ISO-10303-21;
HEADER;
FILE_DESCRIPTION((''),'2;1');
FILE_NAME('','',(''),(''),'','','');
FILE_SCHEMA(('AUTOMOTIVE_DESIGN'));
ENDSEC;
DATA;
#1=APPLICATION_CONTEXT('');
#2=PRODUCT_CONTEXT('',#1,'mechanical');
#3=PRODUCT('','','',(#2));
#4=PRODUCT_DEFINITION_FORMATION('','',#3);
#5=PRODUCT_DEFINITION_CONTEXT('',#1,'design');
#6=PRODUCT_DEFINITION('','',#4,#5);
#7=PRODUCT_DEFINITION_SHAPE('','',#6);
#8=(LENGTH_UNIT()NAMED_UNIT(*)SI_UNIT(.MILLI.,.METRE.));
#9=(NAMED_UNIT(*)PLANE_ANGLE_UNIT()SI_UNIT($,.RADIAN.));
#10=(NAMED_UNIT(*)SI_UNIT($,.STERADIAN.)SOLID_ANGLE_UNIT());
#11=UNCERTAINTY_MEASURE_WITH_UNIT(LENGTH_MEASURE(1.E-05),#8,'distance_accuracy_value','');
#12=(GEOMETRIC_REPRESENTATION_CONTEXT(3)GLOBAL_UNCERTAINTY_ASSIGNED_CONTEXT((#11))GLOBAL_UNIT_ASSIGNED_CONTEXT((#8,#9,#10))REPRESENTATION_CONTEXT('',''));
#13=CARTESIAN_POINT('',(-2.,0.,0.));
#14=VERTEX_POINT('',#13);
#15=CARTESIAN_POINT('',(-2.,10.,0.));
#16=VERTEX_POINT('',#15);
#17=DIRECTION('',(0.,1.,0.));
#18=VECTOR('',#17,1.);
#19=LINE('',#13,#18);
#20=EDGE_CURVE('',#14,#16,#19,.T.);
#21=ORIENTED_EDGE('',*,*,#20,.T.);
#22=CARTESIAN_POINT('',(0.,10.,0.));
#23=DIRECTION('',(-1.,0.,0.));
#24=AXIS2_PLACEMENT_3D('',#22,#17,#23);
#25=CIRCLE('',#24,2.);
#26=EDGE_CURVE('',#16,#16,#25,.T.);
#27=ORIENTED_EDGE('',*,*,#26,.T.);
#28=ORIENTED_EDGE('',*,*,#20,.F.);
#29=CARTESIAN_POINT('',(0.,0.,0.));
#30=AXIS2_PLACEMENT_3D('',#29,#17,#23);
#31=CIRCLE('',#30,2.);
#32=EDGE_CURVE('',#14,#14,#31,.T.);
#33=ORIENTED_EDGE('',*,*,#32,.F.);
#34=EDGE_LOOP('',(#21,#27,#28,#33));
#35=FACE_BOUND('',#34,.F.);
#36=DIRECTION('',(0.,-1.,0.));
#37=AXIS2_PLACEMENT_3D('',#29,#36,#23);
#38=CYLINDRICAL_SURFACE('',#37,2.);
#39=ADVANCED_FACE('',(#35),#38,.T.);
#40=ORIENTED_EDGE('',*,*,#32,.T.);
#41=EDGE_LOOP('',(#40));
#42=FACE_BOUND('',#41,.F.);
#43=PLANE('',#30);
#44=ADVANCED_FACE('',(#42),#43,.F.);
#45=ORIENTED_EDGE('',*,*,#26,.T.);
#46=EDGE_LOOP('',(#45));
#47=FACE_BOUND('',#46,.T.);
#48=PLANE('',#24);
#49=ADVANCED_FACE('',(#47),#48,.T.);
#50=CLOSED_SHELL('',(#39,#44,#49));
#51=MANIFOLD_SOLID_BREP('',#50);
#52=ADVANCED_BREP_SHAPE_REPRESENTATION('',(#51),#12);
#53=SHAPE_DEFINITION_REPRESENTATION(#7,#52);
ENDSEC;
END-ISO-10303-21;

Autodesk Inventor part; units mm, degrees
ref_plane "YZ Plane" through (0, 0, 0) normal (1, 0, 0) x (0, 1, 0)
ref_plane "XZ Plane" through (0, 0, 0) normal (0, 1, 0) x (-1, 0, 0)
ref_plane "XY Plane" through (0, 0, 0) normal (0, 0, 1) x (1, 0, 0)
sketch "Sketch1" plane through (0, 0, 0) normal (0, 1, 0) x (-1, 0, 0)
  circle A0 centre (0, 0) radius 2
  dimension "d0" = 4
extrude "Extrusion1" add sketch "Sketch1" along normal blind 10
properties part number "Part2_new"
